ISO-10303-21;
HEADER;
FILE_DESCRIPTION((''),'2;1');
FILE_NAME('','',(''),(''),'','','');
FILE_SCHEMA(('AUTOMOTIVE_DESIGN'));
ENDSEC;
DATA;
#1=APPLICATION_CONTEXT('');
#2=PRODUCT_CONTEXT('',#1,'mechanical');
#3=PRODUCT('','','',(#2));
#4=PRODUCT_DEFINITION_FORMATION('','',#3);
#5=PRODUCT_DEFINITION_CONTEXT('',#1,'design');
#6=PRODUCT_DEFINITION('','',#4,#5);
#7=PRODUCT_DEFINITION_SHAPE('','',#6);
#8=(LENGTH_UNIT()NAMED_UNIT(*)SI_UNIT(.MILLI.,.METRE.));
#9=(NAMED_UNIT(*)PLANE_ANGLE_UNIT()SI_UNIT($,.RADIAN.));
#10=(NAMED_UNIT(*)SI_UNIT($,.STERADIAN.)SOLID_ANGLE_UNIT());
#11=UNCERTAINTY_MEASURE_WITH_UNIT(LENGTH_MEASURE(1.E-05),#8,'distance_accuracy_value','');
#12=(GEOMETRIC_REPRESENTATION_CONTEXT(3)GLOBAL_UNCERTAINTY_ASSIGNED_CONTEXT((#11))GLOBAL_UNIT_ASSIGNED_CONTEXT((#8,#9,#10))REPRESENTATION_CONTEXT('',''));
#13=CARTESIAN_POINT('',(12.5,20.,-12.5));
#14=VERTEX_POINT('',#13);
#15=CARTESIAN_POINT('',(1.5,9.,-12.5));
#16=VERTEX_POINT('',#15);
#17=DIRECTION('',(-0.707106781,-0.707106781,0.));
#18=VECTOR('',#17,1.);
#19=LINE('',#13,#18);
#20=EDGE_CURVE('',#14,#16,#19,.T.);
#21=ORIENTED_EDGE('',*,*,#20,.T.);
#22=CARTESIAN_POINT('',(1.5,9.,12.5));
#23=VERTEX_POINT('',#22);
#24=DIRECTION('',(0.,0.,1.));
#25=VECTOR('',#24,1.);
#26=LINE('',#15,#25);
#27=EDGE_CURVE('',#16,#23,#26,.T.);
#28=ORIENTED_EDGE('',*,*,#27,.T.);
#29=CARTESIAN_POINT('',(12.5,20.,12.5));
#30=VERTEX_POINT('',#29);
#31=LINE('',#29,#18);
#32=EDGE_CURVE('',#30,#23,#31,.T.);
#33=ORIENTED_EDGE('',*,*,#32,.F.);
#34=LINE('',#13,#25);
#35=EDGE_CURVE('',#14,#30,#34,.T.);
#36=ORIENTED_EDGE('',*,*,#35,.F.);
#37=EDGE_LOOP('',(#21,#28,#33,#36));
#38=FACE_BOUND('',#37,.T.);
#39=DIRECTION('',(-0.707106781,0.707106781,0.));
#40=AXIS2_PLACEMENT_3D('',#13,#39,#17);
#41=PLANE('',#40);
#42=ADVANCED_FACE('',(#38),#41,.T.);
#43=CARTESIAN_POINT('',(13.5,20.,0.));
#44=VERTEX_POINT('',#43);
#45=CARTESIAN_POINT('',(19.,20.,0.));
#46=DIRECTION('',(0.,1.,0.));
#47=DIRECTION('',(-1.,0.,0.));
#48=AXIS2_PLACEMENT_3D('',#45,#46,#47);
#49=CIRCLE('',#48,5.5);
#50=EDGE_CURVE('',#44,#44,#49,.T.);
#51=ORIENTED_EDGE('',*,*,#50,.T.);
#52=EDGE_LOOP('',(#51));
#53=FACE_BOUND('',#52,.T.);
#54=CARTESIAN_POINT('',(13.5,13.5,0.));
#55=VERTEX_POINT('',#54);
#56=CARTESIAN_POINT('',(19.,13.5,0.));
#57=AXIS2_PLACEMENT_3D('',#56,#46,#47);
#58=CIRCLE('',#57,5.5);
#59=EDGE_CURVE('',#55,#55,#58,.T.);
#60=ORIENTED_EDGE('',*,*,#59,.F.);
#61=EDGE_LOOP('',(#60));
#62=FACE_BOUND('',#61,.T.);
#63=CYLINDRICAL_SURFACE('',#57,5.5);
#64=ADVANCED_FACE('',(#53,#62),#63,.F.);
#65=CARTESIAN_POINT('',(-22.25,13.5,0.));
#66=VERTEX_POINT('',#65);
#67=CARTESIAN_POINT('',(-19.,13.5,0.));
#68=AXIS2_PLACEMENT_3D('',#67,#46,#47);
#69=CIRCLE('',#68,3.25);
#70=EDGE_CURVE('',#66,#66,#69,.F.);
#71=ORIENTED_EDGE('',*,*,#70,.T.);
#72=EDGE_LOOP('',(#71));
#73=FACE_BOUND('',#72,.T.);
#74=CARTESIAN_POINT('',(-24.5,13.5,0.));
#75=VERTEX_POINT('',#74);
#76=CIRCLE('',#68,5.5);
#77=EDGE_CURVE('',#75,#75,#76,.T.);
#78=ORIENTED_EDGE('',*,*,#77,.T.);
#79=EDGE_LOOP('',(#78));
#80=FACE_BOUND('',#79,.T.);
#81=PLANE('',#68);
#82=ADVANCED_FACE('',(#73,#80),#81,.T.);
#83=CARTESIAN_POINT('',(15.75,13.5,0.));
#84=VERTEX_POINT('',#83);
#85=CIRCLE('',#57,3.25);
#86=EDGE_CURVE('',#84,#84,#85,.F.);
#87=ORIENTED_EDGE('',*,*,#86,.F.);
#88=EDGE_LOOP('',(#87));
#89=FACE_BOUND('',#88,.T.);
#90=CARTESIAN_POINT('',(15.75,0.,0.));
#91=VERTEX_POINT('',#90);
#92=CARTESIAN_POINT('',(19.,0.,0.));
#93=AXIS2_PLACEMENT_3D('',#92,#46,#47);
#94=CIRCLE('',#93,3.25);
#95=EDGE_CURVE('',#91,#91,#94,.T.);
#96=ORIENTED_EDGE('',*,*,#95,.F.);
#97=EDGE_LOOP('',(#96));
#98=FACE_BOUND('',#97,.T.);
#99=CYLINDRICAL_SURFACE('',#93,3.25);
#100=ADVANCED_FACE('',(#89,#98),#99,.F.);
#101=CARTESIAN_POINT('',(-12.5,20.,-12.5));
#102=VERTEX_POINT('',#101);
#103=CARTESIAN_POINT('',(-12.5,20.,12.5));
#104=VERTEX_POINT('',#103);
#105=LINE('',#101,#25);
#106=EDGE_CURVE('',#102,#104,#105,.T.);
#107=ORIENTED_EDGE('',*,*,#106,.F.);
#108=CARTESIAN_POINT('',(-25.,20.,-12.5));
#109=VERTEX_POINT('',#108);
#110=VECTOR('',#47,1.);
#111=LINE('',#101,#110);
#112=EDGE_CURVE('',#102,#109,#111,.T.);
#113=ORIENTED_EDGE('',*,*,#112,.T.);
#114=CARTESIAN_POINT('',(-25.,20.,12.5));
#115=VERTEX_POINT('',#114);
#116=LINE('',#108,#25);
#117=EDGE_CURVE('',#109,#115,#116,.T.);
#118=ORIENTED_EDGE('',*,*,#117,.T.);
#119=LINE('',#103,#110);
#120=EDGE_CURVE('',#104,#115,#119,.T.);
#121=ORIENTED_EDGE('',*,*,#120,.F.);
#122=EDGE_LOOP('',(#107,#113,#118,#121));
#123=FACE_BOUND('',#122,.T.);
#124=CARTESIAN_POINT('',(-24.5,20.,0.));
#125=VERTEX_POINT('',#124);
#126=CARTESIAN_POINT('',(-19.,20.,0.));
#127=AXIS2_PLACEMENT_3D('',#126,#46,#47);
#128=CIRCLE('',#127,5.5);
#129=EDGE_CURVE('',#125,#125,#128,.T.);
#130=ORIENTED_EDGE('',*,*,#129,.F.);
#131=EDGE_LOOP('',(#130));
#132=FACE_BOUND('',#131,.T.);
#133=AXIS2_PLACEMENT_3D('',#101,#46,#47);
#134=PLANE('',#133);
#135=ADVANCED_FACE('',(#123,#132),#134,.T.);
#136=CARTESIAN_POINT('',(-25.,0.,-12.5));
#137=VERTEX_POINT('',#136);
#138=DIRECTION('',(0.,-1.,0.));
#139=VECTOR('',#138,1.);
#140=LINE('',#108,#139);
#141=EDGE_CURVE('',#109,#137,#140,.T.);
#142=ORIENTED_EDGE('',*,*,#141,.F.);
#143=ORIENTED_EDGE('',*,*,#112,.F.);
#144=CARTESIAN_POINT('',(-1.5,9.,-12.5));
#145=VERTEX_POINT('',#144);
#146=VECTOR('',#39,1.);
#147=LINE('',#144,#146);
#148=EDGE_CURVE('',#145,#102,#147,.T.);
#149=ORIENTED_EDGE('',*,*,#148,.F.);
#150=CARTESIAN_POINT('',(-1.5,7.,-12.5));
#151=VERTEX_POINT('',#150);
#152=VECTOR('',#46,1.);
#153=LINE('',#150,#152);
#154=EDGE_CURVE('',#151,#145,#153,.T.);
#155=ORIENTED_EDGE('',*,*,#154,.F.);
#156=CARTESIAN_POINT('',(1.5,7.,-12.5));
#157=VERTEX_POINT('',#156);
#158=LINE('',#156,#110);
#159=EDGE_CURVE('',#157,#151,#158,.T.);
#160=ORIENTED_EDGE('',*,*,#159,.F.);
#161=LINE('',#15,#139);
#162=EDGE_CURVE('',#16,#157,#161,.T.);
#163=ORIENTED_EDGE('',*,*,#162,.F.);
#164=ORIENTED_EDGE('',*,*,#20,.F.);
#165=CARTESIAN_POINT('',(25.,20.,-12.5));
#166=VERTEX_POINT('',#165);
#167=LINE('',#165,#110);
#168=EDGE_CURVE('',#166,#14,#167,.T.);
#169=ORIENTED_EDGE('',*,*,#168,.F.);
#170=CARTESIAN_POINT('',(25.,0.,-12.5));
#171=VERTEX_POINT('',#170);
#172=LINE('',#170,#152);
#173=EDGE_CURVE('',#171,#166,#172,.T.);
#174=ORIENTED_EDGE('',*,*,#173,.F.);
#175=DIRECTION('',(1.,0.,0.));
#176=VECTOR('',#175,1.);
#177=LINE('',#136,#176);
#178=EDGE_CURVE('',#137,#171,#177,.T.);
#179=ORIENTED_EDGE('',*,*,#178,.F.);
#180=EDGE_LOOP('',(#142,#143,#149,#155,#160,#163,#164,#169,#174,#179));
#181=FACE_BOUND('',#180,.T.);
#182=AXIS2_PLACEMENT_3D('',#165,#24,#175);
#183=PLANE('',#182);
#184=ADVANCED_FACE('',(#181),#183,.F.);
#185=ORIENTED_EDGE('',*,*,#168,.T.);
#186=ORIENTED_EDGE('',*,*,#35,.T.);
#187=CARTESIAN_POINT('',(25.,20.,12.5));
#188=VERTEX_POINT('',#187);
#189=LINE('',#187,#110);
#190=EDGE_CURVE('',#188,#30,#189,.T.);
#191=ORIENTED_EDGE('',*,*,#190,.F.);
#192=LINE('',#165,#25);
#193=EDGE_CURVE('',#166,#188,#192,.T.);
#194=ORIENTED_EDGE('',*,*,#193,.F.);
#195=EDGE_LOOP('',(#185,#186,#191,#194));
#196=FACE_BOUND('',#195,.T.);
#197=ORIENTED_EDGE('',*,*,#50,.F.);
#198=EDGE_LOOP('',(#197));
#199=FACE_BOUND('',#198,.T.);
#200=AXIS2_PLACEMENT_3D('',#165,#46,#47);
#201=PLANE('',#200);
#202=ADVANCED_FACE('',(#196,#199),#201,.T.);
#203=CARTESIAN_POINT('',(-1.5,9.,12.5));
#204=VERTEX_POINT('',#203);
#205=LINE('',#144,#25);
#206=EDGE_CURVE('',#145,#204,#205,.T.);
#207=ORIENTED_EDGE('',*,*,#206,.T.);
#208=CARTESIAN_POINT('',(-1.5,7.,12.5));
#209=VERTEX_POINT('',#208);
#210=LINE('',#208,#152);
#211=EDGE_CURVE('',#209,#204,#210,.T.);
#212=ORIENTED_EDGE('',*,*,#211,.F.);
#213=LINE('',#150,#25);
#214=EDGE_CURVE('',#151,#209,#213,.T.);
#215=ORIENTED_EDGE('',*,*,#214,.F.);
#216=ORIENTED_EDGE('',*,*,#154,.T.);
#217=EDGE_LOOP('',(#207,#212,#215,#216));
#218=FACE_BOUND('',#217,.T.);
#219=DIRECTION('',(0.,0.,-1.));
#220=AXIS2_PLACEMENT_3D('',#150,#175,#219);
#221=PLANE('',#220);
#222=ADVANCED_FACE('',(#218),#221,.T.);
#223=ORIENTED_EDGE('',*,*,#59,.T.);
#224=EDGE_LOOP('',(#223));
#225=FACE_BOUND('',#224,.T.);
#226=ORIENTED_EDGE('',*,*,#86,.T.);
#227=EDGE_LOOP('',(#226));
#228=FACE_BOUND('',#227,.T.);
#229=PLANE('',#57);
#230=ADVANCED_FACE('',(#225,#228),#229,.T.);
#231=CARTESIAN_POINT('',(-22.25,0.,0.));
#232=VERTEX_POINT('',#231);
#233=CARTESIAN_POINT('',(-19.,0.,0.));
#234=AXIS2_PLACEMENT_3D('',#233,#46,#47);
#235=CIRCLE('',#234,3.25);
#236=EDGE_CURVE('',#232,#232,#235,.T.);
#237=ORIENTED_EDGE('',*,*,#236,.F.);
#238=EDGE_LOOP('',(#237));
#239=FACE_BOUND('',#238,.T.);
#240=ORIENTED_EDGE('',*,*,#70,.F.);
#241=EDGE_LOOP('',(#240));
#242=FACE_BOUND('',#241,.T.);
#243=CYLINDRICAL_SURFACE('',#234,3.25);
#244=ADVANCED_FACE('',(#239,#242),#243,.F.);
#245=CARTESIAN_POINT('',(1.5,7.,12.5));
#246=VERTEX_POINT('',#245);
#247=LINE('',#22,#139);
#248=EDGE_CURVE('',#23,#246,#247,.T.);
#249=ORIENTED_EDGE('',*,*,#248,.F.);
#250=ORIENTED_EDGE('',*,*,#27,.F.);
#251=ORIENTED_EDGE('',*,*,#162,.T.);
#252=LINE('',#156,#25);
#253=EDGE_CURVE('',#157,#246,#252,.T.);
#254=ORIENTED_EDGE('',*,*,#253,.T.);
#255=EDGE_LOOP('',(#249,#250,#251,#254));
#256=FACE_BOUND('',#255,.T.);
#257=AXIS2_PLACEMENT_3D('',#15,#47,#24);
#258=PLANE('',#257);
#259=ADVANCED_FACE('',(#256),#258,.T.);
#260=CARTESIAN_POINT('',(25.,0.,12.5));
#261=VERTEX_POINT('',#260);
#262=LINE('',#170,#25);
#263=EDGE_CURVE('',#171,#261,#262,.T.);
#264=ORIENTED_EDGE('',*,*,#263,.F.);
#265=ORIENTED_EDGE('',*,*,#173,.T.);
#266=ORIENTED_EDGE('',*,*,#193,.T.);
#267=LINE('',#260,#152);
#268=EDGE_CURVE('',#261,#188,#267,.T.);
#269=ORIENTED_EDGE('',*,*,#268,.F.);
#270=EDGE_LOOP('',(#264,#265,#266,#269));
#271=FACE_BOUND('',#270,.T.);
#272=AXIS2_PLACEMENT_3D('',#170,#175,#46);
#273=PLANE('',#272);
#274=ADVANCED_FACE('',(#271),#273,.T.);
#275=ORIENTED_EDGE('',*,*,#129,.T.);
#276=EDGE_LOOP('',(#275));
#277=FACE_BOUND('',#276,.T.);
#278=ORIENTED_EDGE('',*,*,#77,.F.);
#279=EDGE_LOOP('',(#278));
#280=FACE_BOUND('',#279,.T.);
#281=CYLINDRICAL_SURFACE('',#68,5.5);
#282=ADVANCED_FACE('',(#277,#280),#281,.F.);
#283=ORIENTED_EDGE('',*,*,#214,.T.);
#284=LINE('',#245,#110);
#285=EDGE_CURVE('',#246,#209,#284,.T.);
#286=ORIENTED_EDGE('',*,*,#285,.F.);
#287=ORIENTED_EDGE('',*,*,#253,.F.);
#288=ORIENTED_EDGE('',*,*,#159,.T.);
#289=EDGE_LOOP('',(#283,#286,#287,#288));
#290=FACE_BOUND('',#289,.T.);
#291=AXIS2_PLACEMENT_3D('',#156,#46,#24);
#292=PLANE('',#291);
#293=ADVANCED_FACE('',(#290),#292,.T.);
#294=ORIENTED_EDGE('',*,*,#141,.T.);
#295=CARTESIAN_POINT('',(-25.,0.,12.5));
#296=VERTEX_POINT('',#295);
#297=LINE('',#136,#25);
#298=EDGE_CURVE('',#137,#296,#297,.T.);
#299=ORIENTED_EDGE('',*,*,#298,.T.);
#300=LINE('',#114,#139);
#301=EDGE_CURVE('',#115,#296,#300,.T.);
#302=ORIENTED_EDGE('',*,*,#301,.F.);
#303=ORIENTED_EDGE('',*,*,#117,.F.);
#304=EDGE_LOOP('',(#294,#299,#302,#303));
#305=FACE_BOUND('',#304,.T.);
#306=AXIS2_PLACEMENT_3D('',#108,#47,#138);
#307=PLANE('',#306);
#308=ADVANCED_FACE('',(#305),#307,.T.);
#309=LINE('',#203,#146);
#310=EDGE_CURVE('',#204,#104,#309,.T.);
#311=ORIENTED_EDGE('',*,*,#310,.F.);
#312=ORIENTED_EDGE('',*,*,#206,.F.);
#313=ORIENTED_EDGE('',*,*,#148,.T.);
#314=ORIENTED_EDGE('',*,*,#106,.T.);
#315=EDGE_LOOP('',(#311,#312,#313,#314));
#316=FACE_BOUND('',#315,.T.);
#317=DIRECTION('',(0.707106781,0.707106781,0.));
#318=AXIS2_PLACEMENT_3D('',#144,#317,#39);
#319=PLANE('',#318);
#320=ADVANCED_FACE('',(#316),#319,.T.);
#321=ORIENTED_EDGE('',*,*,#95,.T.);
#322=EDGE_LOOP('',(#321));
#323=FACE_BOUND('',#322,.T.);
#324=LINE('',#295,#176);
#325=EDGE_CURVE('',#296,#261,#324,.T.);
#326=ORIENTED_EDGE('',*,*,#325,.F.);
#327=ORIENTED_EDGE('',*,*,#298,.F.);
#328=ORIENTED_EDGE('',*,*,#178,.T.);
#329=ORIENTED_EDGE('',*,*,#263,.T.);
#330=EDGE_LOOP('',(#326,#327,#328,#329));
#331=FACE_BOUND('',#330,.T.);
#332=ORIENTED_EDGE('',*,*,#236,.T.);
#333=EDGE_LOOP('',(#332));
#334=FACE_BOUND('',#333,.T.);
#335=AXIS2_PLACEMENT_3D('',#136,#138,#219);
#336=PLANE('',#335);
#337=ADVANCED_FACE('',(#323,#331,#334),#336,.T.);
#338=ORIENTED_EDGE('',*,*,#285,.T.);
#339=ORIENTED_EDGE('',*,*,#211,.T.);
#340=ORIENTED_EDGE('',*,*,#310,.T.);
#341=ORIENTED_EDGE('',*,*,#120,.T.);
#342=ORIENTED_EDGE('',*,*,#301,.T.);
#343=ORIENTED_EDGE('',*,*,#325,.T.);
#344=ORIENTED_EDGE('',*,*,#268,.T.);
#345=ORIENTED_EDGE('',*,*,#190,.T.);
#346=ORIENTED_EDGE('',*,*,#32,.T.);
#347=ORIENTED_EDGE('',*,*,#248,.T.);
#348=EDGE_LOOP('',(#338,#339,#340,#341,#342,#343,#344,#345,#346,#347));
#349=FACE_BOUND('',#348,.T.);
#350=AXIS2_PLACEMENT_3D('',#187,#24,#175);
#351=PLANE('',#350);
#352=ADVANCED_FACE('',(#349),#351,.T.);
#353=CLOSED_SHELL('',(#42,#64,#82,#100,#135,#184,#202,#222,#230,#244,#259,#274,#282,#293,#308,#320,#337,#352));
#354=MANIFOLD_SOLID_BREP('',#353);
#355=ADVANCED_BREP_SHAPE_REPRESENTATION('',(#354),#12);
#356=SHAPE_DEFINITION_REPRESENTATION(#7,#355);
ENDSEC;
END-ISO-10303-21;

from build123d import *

# Parameters (mm, degrees)
BOSS_EXTRUDE1_DEPTH      = 12.5
BOSS_EXTRUDE1_DEPTH_BACK = 12.5
SKETCH2_R                = 3.25
CUT_EXTRUDE1_DEPTH       = 35.369317712
SKETCH3_R                = 5.5
CUT_EXTRUDE2_DEPTH       = 6.5


with BuildPart() as part:
    # Sketch1 → Boss-Extrude1 (new, two sides: drawn at the far end of the back side and taken through both)
    with BuildSketch(Plane.XY.offset(-BOSS_EXTRUDE1_DEPTH_BACK)):
        Polygon((-25, 0), (25, 0), (25, 20), (12.5, 20), (1.5, 9), (1.5, 7), (-1.5, 7), (-1.5, 9), (-12.5, 20), (-25, 20), align=None)
    extrude(amount=BOSS_EXTRUDE1_DEPTH + BOSS_EXTRUDE1_DEPTH_BACK)

    # Sketch2 → Cut-Extrude1 (cut, through all)
    with BuildSketch(Plane(origin=(0, 20, 0), x_dir=(-1, 0, 0), z_dir=(0, 1, 0))):
        with Locations((19, 0)):
            Circle(SKETCH2_R)
        with Locations((-19, 0)):
            Circle(SKETCH2_R)
    extrude(amount=-CUT_EXTRUDE1_DEPTH, mode=Mode.SUBTRACT)

    # Sketch3 → Cut-Extrude2 (cut)
    with BuildSketch(Plane(origin=(0, 20, 0), x_dir=(-1, 0, 0), z_dir=(0, 1, 0))):
        with Locations((19, 0)):
            Circle(SKETCH3_R)
        with Locations((-19, 0)):
            Circle(SKETCH3_R)
    extrude(amount=-CUT_EXTRUDE2_DEPTH, mode=Mode.SUBTRACT)


solid = part.part
